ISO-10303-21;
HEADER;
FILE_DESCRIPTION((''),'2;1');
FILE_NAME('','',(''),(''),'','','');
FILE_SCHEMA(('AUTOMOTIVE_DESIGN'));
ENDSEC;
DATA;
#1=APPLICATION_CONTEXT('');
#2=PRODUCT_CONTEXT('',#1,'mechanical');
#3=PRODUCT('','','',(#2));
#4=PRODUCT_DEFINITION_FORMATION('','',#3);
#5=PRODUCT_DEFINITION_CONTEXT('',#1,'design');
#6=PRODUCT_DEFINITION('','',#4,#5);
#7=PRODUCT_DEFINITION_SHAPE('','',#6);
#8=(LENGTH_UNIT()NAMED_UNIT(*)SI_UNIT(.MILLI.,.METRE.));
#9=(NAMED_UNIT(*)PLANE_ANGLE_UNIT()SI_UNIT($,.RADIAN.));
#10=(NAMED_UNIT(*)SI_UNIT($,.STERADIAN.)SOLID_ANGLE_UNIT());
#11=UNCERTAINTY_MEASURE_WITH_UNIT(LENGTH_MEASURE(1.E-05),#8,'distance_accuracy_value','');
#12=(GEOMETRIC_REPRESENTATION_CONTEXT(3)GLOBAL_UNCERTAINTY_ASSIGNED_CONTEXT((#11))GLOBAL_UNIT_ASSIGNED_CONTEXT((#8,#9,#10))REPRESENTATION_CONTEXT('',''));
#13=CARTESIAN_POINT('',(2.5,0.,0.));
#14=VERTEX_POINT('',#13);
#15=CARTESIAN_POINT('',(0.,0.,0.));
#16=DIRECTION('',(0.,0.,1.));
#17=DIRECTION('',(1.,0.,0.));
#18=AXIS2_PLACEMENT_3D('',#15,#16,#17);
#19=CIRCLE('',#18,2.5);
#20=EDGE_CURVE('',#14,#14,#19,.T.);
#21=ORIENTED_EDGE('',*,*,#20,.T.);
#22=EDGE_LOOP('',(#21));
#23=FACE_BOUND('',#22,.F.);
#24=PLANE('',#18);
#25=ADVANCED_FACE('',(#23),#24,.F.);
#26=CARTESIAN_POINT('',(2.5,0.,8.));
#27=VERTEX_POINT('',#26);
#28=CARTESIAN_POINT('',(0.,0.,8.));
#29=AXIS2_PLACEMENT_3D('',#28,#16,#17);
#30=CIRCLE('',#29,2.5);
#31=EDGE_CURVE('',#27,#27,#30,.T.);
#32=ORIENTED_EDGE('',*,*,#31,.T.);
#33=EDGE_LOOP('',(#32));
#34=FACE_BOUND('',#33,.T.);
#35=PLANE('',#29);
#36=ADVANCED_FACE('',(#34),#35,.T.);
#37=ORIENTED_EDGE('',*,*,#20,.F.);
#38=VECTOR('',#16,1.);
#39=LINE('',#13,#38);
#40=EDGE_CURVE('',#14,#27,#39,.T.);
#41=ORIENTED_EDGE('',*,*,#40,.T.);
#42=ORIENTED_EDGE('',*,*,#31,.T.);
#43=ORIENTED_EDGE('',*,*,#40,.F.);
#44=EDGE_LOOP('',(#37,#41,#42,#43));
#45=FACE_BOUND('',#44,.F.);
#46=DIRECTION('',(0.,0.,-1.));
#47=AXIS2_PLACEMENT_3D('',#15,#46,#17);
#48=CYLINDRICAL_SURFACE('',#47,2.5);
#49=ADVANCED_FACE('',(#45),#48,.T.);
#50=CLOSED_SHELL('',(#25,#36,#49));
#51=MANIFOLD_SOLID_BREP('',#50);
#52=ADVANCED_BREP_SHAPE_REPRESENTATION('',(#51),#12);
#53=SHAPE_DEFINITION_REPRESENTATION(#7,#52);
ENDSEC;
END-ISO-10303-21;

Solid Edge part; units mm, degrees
sketch "Sketch1" plane through (0, 0, 0) normal (0, 0, 1) x (1, 0, 0)
  circle A0 centre (0, 0) radius 2.5
extrude "Protrusion1" add sketch "Sketch1" along normal blind 8
